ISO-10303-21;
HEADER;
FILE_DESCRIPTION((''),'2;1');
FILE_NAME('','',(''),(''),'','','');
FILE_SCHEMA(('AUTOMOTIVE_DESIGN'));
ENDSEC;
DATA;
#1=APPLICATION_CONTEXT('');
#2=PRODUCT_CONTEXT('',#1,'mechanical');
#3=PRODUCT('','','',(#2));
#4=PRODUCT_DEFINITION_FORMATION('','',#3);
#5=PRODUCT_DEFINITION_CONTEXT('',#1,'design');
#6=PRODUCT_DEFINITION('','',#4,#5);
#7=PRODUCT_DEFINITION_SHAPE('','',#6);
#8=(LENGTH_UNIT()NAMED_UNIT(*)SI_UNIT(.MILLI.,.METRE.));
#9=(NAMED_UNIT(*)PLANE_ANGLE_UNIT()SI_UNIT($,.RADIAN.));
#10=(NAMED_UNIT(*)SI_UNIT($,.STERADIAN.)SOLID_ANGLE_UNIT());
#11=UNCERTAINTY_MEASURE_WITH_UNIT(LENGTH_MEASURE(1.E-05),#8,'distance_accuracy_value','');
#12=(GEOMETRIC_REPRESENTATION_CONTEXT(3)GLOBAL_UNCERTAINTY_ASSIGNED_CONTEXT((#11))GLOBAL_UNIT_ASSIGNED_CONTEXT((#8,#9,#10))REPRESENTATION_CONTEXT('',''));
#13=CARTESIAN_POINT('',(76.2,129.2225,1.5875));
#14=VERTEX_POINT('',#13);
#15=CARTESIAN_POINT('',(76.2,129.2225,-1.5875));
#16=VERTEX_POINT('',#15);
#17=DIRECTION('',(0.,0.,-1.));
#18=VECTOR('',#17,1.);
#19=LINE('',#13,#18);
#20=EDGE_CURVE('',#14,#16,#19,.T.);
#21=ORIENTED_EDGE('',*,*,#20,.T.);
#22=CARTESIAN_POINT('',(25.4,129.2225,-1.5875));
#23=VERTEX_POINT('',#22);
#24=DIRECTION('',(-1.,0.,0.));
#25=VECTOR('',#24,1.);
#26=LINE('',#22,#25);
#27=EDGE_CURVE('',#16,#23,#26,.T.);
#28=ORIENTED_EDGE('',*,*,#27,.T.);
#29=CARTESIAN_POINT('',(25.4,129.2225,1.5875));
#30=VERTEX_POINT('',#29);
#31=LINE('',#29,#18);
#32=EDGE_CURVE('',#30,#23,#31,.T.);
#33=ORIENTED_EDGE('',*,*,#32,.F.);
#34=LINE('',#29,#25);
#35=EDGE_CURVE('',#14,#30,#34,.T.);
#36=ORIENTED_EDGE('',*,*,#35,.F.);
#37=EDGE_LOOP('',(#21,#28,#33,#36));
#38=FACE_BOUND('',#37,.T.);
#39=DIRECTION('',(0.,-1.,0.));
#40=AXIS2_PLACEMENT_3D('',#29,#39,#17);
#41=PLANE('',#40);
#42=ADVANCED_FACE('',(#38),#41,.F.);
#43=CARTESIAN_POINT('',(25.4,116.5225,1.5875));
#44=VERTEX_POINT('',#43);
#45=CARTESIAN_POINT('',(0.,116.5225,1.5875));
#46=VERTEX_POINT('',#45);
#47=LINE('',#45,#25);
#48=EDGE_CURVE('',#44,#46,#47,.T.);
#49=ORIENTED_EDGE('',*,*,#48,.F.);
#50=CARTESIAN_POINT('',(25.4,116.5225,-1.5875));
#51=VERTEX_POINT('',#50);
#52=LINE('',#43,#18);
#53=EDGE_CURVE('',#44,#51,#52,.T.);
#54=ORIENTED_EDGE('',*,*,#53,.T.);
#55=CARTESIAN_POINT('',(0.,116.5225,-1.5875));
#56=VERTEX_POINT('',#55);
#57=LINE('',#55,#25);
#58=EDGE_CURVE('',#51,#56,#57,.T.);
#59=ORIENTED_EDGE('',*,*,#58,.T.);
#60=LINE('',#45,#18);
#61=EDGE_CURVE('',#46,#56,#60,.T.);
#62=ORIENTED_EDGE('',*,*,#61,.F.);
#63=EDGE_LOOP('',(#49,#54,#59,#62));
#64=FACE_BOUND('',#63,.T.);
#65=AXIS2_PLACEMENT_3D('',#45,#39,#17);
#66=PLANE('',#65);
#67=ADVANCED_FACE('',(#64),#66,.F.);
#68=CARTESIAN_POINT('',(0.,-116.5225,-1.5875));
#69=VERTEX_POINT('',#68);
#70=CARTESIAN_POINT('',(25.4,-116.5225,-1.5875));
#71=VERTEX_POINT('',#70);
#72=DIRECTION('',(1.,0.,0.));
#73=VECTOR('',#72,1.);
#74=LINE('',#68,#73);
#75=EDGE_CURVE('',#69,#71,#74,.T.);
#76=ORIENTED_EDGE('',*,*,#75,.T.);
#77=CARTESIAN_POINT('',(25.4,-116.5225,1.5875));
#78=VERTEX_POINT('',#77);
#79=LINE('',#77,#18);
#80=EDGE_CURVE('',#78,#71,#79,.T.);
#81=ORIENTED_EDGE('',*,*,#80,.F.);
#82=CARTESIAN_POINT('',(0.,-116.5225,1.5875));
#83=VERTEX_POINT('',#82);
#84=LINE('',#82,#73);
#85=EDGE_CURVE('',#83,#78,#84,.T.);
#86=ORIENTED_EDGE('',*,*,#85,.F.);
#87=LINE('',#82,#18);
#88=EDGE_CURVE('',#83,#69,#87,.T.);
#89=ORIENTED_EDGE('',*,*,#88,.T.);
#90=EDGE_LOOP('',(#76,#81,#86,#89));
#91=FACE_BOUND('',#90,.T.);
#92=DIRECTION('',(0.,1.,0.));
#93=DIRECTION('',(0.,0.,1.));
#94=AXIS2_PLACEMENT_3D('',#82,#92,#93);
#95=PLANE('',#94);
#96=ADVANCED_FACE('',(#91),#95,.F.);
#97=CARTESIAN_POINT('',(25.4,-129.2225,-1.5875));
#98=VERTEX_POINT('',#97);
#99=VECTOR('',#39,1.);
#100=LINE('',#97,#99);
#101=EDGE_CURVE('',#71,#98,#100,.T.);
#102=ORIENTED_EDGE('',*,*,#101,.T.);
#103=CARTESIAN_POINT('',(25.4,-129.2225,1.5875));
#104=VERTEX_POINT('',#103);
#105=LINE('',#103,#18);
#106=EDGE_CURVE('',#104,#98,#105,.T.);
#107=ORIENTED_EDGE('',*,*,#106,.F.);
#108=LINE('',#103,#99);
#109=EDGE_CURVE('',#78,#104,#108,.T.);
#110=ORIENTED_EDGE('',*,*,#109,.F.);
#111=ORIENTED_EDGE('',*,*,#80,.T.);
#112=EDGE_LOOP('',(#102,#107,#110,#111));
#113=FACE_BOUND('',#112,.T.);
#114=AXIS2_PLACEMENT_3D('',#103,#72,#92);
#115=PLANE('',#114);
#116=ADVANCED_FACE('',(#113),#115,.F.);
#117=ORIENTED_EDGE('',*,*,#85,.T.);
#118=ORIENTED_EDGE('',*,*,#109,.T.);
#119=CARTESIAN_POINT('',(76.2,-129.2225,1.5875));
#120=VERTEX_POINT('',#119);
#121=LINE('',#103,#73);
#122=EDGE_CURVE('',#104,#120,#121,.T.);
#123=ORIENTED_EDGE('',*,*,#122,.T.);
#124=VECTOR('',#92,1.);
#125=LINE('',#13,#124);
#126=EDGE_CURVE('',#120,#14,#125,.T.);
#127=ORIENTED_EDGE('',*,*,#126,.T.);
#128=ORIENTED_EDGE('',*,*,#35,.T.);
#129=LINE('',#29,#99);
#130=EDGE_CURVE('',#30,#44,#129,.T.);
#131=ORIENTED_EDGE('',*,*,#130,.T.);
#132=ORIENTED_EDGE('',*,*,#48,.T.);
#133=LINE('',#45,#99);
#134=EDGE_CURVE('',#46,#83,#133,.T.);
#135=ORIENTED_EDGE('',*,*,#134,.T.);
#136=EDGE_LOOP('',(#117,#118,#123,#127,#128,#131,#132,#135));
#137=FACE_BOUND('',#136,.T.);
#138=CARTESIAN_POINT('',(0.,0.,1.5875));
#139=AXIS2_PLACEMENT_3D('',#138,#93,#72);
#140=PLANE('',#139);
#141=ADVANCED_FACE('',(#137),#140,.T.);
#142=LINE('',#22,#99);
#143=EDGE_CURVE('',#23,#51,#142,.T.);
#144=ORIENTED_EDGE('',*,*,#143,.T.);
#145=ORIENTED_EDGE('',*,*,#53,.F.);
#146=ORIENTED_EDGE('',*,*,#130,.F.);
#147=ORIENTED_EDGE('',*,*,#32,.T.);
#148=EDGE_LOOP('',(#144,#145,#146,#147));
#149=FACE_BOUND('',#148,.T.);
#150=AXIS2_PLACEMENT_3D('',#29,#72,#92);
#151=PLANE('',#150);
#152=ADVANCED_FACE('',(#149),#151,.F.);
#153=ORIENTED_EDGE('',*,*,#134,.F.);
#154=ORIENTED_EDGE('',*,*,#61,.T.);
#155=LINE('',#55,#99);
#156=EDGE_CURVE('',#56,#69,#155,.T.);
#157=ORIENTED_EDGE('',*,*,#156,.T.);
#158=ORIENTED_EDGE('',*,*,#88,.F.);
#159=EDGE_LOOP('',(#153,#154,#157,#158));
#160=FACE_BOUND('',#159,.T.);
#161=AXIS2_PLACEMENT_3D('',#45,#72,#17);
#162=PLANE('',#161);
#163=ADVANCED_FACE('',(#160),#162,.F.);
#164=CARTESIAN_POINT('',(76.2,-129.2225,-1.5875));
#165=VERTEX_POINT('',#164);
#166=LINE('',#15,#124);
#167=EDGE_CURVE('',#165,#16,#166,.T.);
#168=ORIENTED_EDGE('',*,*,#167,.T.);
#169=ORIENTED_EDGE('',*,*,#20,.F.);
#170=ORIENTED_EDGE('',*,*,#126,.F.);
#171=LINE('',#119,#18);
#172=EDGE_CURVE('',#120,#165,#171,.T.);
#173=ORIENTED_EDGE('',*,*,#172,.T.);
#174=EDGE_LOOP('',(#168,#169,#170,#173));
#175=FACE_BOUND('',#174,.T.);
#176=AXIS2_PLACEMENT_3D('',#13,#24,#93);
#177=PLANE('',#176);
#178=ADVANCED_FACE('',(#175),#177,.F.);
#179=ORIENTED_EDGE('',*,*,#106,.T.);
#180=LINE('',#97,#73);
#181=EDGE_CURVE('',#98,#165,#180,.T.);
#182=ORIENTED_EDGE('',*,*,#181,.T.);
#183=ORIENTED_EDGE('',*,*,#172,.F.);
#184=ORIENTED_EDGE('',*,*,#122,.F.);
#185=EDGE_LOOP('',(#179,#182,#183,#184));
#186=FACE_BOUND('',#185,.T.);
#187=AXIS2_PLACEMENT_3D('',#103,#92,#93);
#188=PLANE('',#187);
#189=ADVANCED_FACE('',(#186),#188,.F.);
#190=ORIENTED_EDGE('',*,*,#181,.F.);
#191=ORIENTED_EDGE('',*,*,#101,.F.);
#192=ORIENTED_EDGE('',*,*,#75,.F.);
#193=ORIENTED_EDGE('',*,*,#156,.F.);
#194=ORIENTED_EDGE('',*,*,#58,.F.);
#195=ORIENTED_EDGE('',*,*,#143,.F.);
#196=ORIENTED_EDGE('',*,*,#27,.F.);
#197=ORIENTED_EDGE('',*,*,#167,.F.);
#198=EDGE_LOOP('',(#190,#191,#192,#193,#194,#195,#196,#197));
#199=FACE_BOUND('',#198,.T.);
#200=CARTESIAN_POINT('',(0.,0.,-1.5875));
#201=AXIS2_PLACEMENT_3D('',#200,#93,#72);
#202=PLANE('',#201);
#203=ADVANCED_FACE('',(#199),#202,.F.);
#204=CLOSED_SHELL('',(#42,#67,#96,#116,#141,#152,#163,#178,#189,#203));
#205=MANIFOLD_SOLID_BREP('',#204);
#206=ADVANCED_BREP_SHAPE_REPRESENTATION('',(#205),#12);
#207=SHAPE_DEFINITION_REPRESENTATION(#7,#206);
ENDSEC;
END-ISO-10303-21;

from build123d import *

# Parameters (mm, degrees)
BOSS_EXTRUDE1_DEPTH = 1.5875


with BuildPart() as part:
    # Sketch3 → Boss-Extrude1 (new, symmetric)
    with BuildSketch(Plane.XY):
        Polygon((25.4, 129.2225), (76.2, 129.2225), (76.2, -129.2225), (25.4, -129.2225), (25.4, -116.5225), (0, -116.5225), (0, 116.5225), (25.4, 116.5225), align=None)
    extrude(amount=BOSS_EXTRUDE1_DEPTH, both=True)


solid = part.part
